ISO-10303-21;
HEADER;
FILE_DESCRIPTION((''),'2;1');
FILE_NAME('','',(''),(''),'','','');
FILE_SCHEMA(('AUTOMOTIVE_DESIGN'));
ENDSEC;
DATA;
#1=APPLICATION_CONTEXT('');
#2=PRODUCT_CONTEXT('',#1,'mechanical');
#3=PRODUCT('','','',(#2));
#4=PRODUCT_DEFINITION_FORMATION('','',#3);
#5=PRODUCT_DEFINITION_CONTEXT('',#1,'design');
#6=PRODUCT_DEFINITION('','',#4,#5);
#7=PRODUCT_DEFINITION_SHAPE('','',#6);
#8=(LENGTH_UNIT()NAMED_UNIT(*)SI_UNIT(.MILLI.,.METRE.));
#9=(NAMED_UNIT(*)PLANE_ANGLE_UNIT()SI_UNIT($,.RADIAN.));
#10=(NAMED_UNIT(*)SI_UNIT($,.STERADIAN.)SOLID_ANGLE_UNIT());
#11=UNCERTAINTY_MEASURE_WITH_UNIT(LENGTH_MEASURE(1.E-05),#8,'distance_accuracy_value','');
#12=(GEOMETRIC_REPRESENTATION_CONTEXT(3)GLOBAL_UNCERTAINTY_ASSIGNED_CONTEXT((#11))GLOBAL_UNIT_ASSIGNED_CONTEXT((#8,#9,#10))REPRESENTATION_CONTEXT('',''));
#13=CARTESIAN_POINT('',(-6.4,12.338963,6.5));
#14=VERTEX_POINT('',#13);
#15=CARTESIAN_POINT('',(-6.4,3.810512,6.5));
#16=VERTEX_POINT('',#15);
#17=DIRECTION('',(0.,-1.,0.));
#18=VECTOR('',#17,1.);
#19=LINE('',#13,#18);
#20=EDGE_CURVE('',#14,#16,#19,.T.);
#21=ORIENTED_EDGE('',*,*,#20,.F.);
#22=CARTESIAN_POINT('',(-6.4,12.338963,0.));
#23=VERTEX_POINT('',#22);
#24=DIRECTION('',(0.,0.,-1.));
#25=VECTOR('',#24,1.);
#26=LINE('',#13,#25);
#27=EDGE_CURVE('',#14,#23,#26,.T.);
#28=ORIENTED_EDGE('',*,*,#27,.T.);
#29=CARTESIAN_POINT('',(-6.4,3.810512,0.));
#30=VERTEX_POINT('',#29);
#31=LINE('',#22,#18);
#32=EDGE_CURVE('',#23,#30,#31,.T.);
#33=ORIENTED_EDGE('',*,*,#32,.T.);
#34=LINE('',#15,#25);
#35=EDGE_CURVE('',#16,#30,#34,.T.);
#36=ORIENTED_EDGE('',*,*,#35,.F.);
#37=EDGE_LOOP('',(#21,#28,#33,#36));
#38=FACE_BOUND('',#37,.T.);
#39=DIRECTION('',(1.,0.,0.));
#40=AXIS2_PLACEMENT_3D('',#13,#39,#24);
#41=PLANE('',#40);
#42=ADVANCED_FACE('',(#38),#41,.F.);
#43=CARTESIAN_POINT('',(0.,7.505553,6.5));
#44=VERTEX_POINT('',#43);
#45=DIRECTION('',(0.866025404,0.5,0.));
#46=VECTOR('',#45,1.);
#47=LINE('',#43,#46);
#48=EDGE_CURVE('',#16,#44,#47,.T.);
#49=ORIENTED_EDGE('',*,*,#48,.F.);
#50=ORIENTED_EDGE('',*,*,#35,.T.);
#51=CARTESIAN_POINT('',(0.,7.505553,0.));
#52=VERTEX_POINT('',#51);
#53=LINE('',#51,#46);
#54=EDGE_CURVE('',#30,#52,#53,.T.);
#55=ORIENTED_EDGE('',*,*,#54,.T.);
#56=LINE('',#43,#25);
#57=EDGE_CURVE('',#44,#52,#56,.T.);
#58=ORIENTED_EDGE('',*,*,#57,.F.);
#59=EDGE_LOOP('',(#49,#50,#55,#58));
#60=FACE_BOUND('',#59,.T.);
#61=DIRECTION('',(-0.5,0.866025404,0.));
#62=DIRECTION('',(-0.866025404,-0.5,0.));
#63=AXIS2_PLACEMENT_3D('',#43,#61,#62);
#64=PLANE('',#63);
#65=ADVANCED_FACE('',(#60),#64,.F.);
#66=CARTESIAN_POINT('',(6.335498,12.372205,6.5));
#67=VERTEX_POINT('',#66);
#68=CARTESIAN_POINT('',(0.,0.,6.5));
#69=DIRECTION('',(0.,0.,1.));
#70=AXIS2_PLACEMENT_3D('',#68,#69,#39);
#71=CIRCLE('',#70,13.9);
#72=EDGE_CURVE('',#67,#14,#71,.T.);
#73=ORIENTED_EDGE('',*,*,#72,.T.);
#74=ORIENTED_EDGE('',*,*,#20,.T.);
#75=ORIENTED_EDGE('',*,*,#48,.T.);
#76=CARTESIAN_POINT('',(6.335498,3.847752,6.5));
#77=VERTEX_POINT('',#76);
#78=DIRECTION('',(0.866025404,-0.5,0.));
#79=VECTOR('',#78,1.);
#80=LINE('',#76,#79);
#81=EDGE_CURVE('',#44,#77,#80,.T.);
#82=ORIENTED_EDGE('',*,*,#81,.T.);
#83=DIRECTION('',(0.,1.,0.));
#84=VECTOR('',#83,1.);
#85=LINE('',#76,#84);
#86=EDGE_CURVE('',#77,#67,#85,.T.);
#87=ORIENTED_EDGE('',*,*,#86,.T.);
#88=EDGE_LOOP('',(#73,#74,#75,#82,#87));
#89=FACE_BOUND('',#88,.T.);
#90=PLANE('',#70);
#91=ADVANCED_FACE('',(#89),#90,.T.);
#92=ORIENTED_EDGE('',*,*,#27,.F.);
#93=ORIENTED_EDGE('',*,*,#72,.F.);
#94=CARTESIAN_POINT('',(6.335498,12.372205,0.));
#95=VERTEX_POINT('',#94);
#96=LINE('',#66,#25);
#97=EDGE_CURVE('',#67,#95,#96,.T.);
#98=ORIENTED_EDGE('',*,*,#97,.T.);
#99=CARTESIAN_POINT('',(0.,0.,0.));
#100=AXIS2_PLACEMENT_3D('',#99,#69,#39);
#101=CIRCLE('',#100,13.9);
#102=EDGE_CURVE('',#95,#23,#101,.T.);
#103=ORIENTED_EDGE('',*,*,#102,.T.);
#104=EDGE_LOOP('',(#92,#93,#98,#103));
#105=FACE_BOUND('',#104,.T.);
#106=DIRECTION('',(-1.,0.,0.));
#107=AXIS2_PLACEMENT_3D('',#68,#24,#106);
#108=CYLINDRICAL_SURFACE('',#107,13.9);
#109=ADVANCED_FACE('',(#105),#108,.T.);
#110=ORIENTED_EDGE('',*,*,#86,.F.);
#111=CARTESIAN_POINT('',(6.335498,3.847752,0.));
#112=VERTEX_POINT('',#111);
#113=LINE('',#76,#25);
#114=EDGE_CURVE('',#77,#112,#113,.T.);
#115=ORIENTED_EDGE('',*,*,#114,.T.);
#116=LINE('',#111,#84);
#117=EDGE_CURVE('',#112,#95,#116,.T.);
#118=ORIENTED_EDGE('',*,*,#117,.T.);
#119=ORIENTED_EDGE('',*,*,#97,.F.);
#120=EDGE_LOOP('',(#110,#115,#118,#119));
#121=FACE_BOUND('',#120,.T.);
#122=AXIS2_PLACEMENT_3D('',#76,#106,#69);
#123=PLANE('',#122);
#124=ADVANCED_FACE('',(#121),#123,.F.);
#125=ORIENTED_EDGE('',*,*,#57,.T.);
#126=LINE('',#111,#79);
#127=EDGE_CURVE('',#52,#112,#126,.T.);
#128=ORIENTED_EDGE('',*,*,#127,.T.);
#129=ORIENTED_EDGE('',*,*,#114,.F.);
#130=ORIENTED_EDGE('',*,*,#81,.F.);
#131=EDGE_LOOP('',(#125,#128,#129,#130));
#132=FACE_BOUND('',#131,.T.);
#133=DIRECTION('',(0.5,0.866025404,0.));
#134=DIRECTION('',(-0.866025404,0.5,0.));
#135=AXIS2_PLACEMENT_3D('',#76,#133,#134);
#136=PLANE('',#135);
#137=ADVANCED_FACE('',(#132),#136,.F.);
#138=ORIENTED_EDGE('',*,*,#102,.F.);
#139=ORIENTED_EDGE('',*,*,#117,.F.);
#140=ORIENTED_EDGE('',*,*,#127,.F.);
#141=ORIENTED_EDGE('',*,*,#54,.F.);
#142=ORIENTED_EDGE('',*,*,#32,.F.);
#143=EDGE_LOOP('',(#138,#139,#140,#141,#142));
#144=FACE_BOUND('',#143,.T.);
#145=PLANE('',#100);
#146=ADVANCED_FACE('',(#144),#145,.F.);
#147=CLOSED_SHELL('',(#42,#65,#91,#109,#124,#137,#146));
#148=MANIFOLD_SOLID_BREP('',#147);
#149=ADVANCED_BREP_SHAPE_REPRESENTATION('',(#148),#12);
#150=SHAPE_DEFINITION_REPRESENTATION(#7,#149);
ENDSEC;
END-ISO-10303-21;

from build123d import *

# Parameters (mm, degrees)
BOSS_EXTRUDE1_DEPTH = 6.5


with BuildPart() as part:
    # Sketch1 → Boss-Extrude1 (new body)
    with BuildSketch(Plane.XY):
        with BuildLine():
            Line((6.335498205, 3.847751906), (0, 7.505553499))
            Line((0, 7.505553499), (-6.4, 3.810511777))
            Line((-6.4, 3.810511777), (-6.4, 12.338962679))
            ThreePointArc((-6.4, 12.338962679), (-0.036282053, 13.899952648), (6.335498205, 12.37220524))
            Line((6.335498205, 12.37220524), (6.335498205, 3.847751906))
        make_face()
    extrude(amount=BOSS_EXTRUDE1_DEPTH)


solid = part.part
